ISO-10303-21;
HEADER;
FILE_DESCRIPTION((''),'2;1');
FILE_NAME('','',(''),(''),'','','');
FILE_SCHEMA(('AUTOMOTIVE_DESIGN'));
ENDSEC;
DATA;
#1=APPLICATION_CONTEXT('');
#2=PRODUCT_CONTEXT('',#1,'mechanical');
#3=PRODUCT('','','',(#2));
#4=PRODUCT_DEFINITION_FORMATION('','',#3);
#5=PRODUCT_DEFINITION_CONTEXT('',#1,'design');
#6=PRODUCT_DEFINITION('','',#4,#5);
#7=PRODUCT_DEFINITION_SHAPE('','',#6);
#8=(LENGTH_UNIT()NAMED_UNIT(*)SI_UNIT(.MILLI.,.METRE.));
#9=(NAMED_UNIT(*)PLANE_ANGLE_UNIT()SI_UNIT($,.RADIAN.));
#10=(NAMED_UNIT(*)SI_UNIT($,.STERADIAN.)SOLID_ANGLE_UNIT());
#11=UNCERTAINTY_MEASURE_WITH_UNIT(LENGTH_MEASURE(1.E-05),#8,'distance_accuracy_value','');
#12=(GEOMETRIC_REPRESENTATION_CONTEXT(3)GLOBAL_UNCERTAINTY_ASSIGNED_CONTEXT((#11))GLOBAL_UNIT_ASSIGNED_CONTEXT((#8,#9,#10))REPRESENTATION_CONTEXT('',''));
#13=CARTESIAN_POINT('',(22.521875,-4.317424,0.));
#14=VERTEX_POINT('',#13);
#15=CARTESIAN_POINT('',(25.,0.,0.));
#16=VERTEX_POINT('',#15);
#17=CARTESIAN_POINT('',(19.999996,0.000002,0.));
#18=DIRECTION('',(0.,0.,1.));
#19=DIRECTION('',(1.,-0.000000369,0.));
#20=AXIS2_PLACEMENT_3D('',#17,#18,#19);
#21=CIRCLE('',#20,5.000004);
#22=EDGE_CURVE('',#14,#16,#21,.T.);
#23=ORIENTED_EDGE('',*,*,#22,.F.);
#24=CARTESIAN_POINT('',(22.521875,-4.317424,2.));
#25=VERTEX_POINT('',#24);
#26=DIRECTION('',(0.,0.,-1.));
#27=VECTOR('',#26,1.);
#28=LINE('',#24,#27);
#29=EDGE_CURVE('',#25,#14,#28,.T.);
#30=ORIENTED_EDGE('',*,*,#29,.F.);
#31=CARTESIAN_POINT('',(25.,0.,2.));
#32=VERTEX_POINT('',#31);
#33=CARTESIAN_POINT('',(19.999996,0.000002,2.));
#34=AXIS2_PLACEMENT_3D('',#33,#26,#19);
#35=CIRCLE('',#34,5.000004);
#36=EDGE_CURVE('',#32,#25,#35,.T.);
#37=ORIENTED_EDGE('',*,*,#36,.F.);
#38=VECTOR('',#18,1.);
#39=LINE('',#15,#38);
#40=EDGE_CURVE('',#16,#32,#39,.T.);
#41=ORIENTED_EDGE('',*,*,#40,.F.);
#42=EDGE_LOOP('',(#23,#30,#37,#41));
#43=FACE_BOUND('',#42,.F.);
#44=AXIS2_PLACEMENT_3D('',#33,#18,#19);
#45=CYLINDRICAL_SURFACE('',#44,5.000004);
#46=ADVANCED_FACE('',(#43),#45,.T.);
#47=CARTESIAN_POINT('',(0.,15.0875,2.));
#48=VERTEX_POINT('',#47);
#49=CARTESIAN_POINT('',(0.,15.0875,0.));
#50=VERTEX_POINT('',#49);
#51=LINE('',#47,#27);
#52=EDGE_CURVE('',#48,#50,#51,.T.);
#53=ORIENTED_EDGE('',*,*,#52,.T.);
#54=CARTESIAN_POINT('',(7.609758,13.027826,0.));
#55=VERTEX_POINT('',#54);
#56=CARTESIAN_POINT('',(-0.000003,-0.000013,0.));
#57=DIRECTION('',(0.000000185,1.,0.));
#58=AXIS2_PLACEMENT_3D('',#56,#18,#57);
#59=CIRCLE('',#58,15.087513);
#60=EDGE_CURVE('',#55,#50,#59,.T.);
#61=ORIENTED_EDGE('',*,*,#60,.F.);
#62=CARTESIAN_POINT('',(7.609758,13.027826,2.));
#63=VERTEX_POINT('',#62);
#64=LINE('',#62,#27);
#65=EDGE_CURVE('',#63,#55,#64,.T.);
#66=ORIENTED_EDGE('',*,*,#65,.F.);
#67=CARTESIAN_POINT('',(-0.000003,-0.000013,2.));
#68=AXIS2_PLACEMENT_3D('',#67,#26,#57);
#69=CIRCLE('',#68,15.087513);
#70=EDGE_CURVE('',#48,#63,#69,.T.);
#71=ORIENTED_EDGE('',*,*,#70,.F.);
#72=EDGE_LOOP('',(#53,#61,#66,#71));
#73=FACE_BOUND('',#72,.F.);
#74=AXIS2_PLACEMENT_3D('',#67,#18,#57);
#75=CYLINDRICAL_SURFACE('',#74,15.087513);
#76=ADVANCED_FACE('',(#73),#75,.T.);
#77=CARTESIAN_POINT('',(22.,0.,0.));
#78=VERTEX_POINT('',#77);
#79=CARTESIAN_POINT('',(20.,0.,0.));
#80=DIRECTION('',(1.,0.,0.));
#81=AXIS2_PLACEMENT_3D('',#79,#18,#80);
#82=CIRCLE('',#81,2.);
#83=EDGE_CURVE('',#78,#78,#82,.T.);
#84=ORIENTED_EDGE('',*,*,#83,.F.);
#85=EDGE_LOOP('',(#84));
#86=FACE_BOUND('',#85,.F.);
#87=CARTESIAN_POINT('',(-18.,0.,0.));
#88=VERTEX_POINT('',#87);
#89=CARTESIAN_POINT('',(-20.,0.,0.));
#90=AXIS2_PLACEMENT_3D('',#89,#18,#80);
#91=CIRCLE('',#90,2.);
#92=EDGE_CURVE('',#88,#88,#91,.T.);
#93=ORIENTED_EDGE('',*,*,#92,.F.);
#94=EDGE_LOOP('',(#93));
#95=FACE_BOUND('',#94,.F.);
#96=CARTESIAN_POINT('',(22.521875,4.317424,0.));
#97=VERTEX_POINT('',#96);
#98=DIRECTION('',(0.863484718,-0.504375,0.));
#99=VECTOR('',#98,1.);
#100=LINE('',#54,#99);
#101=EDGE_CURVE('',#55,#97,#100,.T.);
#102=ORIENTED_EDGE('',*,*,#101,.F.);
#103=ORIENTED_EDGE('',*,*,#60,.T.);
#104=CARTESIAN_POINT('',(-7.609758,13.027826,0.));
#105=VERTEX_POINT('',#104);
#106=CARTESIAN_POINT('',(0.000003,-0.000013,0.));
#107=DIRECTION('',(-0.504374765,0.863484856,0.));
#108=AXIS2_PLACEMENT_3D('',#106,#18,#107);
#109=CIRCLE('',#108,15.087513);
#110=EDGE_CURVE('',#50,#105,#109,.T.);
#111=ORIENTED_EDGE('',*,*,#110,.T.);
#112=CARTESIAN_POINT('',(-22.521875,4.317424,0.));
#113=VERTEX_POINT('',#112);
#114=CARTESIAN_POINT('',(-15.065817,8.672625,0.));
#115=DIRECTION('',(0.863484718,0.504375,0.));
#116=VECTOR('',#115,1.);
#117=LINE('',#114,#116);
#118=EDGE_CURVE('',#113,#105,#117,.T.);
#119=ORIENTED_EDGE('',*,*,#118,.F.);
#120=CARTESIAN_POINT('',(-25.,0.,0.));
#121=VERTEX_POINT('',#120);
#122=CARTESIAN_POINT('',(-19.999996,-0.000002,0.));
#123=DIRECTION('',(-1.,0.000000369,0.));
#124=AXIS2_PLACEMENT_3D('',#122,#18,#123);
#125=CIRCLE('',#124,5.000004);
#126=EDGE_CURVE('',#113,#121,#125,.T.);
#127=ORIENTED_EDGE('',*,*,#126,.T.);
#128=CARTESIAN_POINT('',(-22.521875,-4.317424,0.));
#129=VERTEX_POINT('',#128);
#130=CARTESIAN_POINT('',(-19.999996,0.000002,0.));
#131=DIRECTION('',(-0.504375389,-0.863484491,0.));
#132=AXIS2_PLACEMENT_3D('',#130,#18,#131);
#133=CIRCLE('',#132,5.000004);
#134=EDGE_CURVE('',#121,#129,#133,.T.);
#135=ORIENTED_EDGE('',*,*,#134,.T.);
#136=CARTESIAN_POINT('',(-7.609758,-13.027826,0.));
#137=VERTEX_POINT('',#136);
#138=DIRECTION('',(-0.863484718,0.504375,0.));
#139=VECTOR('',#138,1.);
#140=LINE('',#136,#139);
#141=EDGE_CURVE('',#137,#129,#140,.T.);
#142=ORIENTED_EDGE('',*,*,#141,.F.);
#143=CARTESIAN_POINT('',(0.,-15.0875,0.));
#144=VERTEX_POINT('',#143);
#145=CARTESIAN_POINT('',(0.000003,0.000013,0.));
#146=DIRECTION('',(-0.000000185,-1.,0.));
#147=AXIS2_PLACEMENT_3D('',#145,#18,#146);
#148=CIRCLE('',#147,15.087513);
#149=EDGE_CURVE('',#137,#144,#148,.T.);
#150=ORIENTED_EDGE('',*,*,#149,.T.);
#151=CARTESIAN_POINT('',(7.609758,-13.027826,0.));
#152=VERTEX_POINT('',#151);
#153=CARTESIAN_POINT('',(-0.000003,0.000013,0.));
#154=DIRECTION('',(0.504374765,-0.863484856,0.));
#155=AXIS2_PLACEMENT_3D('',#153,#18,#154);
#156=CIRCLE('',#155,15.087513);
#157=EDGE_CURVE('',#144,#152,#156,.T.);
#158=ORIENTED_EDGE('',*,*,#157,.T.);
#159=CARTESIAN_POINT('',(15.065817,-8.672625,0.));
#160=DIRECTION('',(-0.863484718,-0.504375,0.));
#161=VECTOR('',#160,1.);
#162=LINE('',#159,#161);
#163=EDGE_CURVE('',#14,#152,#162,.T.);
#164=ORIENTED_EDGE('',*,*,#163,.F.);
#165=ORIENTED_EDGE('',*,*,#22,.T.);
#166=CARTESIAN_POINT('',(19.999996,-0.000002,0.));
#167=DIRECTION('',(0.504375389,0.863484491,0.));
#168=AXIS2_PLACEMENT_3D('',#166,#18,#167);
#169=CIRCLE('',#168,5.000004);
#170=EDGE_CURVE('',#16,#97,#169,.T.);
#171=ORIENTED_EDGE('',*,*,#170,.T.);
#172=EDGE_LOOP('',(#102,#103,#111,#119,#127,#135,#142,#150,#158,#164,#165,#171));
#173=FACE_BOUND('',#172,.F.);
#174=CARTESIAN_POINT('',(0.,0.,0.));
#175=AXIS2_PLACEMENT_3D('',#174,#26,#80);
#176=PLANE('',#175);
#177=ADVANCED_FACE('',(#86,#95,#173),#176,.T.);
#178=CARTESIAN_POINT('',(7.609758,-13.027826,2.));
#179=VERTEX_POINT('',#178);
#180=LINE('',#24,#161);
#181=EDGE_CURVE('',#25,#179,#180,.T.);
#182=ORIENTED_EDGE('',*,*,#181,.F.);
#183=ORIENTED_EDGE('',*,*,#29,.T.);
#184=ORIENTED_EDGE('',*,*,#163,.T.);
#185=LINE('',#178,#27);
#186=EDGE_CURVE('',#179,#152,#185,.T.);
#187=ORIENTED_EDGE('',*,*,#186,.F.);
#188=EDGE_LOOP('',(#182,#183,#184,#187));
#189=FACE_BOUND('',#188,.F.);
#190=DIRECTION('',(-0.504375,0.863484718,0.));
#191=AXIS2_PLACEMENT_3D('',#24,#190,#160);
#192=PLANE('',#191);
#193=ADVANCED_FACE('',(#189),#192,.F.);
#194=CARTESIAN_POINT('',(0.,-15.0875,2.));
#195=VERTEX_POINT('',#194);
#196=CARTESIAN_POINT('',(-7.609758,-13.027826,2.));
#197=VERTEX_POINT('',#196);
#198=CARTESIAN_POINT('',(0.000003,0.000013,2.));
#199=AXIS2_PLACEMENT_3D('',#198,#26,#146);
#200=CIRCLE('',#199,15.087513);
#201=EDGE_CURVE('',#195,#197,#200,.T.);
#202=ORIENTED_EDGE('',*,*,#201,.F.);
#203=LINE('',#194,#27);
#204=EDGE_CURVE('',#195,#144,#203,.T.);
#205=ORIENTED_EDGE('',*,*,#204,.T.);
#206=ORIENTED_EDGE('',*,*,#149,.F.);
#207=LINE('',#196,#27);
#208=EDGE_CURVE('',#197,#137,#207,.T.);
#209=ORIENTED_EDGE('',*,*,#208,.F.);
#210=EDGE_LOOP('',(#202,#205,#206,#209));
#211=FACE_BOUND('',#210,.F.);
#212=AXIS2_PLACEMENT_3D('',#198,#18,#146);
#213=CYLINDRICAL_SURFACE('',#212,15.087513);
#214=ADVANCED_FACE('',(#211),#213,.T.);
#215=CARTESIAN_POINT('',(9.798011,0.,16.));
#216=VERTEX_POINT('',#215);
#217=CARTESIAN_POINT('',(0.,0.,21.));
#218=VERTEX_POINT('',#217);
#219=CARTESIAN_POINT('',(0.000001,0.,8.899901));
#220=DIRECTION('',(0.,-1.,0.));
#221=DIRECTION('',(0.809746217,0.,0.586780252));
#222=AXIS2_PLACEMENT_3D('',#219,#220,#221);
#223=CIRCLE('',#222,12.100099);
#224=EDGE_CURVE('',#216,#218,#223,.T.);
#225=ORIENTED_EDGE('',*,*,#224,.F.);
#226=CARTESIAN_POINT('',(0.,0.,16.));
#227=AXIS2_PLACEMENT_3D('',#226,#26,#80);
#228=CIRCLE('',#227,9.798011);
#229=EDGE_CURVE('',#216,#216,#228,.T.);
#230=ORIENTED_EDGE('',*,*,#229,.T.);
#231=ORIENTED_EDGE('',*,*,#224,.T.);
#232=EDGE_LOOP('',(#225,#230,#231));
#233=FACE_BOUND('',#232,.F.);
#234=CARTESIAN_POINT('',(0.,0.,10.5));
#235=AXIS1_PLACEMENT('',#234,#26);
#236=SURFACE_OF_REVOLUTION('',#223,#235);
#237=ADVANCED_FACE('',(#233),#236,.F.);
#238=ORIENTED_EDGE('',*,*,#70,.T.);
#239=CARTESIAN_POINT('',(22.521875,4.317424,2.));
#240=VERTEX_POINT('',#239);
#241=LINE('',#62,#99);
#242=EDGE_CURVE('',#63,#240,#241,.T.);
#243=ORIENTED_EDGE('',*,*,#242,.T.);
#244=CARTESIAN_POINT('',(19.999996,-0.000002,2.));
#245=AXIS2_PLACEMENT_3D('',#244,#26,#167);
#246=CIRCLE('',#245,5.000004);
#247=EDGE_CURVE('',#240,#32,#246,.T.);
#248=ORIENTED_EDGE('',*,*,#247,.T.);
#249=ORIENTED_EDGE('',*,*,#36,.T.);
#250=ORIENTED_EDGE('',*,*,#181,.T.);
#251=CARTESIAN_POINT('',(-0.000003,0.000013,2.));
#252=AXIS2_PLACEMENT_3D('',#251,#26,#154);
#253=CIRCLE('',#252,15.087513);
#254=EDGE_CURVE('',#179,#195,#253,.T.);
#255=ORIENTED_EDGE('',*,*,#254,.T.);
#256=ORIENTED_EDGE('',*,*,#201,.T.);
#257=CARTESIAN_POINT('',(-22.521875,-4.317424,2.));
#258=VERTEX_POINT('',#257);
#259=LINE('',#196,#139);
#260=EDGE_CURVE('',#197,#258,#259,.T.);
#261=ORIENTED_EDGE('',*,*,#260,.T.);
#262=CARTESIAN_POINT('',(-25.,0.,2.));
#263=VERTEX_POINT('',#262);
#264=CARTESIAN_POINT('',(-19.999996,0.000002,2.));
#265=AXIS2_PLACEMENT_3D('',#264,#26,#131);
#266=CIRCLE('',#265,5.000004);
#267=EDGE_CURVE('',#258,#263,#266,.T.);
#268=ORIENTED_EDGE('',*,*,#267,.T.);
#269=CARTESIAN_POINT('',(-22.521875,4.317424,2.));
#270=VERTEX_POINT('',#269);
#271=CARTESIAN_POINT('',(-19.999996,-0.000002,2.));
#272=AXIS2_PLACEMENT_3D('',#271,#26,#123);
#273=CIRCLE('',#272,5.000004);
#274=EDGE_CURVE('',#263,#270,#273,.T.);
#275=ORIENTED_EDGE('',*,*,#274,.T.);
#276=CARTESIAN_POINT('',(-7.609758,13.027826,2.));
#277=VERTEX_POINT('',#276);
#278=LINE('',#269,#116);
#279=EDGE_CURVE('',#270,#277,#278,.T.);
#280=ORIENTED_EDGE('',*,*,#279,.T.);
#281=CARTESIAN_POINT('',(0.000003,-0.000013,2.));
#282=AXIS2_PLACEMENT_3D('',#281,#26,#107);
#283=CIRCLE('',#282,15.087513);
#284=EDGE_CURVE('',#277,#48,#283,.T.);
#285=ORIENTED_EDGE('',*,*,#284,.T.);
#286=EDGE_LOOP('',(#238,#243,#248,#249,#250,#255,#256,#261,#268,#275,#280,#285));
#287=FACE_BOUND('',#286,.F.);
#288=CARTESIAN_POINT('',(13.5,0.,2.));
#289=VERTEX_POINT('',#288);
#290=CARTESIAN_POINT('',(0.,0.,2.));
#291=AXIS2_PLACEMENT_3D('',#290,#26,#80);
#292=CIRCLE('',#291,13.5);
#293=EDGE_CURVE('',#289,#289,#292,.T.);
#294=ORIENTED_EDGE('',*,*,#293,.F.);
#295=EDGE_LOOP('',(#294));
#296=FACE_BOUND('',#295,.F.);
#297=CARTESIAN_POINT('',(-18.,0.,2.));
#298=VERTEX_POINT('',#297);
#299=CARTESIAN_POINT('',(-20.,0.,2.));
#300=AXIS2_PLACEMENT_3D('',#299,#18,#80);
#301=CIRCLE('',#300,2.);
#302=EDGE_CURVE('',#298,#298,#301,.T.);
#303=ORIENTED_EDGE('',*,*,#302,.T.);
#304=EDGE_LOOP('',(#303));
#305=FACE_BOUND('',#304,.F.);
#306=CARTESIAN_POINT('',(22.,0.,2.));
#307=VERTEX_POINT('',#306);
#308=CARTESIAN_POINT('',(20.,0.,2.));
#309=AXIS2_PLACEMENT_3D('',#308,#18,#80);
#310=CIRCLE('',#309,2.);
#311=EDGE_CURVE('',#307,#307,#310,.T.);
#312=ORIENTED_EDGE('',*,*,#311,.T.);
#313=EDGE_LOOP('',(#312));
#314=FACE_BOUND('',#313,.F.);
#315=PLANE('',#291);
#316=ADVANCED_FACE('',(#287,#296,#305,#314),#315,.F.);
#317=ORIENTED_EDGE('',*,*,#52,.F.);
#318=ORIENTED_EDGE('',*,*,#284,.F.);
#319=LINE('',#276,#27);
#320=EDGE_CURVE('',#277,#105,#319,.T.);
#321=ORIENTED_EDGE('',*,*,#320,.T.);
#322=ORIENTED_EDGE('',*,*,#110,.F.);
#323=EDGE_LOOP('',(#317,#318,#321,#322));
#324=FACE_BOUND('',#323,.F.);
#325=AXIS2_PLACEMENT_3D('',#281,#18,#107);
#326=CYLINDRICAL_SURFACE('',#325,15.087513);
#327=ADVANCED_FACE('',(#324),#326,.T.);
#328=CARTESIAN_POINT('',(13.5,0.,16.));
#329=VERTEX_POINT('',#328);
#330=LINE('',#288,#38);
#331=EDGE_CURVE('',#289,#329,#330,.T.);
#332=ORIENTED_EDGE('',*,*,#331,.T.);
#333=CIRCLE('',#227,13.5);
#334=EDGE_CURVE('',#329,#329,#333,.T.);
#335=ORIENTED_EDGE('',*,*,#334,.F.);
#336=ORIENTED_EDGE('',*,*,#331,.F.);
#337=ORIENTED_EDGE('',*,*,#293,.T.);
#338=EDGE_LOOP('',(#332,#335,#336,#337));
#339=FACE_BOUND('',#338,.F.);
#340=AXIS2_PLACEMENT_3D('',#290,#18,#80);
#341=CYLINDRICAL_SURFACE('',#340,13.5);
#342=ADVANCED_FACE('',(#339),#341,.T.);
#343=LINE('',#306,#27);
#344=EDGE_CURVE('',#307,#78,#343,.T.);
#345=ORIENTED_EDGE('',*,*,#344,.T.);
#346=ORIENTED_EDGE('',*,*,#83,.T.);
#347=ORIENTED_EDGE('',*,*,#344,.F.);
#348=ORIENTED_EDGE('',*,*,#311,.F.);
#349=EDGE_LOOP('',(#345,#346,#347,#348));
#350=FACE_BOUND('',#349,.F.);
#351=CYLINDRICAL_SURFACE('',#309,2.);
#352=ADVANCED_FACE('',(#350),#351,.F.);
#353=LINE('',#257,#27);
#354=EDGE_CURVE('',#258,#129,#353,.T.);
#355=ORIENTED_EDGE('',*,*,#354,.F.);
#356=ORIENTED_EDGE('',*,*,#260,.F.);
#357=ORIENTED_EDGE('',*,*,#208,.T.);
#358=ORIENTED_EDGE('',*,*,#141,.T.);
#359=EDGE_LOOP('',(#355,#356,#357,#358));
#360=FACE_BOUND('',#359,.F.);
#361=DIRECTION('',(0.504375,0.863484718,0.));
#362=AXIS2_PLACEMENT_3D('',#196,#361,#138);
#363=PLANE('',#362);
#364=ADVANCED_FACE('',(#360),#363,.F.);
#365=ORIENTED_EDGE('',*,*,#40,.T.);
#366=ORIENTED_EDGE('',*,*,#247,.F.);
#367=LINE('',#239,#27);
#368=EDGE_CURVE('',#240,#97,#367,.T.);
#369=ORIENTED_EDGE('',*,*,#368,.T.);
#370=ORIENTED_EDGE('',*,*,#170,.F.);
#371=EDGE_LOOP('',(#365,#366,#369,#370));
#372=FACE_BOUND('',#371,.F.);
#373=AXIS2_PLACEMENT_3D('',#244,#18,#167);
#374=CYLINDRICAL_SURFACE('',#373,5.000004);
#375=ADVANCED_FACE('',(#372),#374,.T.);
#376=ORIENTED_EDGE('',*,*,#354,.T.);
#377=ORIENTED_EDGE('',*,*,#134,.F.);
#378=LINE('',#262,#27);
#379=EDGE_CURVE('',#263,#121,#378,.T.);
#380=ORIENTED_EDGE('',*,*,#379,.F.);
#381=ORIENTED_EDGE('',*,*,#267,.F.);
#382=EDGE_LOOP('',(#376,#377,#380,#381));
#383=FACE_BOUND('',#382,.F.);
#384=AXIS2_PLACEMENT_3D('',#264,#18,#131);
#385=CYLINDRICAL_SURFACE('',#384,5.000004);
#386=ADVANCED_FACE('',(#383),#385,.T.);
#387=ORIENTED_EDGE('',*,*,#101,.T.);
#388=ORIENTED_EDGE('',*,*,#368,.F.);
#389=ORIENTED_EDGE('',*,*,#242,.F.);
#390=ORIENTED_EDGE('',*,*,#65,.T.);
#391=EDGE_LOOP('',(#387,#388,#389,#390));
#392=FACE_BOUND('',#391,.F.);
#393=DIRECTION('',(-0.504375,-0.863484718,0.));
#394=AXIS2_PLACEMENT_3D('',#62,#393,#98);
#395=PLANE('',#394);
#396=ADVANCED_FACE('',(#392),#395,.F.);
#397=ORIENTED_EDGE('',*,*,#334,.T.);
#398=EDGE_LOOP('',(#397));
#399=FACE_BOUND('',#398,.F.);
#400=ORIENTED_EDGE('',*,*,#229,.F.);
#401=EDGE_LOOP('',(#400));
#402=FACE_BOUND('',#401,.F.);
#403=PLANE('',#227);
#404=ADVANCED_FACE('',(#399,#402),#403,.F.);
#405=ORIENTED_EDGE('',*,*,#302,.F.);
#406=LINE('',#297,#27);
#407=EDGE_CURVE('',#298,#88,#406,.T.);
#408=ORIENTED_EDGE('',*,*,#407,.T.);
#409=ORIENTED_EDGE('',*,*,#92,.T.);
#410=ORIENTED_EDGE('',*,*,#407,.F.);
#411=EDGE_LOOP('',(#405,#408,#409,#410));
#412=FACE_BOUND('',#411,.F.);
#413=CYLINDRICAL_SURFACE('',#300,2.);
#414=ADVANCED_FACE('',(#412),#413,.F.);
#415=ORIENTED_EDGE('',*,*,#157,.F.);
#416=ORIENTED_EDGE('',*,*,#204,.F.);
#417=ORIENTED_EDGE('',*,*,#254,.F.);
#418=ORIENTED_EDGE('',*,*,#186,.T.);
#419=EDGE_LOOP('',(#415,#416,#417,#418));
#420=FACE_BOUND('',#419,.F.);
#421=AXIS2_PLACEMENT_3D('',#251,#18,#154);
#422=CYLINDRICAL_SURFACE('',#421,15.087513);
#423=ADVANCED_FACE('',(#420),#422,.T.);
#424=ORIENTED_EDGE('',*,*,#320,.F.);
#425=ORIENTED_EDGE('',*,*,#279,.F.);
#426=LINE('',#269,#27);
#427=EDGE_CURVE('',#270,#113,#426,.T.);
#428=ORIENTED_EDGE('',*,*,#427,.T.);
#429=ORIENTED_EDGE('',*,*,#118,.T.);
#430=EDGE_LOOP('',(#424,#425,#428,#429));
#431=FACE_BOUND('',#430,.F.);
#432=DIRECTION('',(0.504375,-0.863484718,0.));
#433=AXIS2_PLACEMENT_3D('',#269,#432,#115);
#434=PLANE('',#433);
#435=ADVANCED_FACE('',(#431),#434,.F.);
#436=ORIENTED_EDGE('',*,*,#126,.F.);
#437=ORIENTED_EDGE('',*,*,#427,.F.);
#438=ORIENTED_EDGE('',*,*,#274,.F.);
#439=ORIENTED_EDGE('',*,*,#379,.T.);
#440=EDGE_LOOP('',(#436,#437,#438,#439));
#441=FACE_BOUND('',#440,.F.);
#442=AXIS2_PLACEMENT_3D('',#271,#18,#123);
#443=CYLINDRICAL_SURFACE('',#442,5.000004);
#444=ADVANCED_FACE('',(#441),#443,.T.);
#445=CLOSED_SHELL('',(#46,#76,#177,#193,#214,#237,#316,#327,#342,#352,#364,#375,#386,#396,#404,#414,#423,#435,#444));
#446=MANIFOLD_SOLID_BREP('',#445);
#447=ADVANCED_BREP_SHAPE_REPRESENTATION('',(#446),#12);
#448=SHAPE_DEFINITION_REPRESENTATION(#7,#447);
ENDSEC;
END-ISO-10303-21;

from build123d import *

# Parameters (mm, degrees)
F2_R     = 29.922306
F2_R_2   = 2
F3_DEPTH = 2.001


with BuildPart() as f1:
    # F0 (on Front) → F1 (revolve)
    with BuildSketch(Plane.XZ):
        with BuildLine():
            Line((13.5, 16), (9.798011, 16))
            ThreePointArc((9.798011, 16), (5.500023, 19.677756), (0, 21))
            Line((0, 21), (0, 0))
            Line((0, 0), (25, 0))
            Line((25, 0), (25, 2))
            Line((25, 2), (13.5, 2))
            Line((13.5, 2), (13.5, 16))
        make_face()
    revolve(axis=Axis((0, 0, 10.5), (0, 0, -1)))

    # F2 (on face) → F3 (cut, through all)
    with BuildSketch(Plane.XY.offset(2)):
        Circle(F2_R)
        with BuildLine():
            ThreePointArc((-25, 0), (-24.336437, 2.489038), (-22.521875, 4.317424))
            Line((-22.521875, 4.317424), (-7.609758, 13.027826))
            ThreePointArc((-7.609758, 13.027826), (-3.941785, 14.563481), (0, 15.0875))
            ThreePointArc((0, 15.0875), (3.941785, 14.563481), (7.609758, 13.027826))
            Line((7.609758, 13.027826), (22.521875, 4.317424))
            ThreePointArc((22.521875, 4.317424), (24.336437, 2.489038), (25, 0))
            ThreePointArc((25, 0), (24.336437, -2.489038), (22.521875, -4.317424))
            Line((22.521875, -4.317424), (7.609758, -13.027826))
            ThreePointArc((7.609758, -13.027826), (3.941785, -14.563481), (0, -15.0875))
            ThreePointArc((0, -15.0875), (-3.941785, -14.563481), (-7.609758, -13.027826))
            Line((-7.609758, -13.027826), (-22.521875, -4.317424))
            ThreePointArc((-22.521875, -4.317424), (-24.336437, -2.489038), (-25, 0))
        make_face(mode=Mode.SUBTRACT)
        with Locations((-20, 0)):
            Circle(F2_R_2)
        with Locations((20, 0)):
            Circle(F2_R_2)
    extrude(amount=-F3_DEPTH, mode=Mode.SUBTRACT)


solid = f1.part
